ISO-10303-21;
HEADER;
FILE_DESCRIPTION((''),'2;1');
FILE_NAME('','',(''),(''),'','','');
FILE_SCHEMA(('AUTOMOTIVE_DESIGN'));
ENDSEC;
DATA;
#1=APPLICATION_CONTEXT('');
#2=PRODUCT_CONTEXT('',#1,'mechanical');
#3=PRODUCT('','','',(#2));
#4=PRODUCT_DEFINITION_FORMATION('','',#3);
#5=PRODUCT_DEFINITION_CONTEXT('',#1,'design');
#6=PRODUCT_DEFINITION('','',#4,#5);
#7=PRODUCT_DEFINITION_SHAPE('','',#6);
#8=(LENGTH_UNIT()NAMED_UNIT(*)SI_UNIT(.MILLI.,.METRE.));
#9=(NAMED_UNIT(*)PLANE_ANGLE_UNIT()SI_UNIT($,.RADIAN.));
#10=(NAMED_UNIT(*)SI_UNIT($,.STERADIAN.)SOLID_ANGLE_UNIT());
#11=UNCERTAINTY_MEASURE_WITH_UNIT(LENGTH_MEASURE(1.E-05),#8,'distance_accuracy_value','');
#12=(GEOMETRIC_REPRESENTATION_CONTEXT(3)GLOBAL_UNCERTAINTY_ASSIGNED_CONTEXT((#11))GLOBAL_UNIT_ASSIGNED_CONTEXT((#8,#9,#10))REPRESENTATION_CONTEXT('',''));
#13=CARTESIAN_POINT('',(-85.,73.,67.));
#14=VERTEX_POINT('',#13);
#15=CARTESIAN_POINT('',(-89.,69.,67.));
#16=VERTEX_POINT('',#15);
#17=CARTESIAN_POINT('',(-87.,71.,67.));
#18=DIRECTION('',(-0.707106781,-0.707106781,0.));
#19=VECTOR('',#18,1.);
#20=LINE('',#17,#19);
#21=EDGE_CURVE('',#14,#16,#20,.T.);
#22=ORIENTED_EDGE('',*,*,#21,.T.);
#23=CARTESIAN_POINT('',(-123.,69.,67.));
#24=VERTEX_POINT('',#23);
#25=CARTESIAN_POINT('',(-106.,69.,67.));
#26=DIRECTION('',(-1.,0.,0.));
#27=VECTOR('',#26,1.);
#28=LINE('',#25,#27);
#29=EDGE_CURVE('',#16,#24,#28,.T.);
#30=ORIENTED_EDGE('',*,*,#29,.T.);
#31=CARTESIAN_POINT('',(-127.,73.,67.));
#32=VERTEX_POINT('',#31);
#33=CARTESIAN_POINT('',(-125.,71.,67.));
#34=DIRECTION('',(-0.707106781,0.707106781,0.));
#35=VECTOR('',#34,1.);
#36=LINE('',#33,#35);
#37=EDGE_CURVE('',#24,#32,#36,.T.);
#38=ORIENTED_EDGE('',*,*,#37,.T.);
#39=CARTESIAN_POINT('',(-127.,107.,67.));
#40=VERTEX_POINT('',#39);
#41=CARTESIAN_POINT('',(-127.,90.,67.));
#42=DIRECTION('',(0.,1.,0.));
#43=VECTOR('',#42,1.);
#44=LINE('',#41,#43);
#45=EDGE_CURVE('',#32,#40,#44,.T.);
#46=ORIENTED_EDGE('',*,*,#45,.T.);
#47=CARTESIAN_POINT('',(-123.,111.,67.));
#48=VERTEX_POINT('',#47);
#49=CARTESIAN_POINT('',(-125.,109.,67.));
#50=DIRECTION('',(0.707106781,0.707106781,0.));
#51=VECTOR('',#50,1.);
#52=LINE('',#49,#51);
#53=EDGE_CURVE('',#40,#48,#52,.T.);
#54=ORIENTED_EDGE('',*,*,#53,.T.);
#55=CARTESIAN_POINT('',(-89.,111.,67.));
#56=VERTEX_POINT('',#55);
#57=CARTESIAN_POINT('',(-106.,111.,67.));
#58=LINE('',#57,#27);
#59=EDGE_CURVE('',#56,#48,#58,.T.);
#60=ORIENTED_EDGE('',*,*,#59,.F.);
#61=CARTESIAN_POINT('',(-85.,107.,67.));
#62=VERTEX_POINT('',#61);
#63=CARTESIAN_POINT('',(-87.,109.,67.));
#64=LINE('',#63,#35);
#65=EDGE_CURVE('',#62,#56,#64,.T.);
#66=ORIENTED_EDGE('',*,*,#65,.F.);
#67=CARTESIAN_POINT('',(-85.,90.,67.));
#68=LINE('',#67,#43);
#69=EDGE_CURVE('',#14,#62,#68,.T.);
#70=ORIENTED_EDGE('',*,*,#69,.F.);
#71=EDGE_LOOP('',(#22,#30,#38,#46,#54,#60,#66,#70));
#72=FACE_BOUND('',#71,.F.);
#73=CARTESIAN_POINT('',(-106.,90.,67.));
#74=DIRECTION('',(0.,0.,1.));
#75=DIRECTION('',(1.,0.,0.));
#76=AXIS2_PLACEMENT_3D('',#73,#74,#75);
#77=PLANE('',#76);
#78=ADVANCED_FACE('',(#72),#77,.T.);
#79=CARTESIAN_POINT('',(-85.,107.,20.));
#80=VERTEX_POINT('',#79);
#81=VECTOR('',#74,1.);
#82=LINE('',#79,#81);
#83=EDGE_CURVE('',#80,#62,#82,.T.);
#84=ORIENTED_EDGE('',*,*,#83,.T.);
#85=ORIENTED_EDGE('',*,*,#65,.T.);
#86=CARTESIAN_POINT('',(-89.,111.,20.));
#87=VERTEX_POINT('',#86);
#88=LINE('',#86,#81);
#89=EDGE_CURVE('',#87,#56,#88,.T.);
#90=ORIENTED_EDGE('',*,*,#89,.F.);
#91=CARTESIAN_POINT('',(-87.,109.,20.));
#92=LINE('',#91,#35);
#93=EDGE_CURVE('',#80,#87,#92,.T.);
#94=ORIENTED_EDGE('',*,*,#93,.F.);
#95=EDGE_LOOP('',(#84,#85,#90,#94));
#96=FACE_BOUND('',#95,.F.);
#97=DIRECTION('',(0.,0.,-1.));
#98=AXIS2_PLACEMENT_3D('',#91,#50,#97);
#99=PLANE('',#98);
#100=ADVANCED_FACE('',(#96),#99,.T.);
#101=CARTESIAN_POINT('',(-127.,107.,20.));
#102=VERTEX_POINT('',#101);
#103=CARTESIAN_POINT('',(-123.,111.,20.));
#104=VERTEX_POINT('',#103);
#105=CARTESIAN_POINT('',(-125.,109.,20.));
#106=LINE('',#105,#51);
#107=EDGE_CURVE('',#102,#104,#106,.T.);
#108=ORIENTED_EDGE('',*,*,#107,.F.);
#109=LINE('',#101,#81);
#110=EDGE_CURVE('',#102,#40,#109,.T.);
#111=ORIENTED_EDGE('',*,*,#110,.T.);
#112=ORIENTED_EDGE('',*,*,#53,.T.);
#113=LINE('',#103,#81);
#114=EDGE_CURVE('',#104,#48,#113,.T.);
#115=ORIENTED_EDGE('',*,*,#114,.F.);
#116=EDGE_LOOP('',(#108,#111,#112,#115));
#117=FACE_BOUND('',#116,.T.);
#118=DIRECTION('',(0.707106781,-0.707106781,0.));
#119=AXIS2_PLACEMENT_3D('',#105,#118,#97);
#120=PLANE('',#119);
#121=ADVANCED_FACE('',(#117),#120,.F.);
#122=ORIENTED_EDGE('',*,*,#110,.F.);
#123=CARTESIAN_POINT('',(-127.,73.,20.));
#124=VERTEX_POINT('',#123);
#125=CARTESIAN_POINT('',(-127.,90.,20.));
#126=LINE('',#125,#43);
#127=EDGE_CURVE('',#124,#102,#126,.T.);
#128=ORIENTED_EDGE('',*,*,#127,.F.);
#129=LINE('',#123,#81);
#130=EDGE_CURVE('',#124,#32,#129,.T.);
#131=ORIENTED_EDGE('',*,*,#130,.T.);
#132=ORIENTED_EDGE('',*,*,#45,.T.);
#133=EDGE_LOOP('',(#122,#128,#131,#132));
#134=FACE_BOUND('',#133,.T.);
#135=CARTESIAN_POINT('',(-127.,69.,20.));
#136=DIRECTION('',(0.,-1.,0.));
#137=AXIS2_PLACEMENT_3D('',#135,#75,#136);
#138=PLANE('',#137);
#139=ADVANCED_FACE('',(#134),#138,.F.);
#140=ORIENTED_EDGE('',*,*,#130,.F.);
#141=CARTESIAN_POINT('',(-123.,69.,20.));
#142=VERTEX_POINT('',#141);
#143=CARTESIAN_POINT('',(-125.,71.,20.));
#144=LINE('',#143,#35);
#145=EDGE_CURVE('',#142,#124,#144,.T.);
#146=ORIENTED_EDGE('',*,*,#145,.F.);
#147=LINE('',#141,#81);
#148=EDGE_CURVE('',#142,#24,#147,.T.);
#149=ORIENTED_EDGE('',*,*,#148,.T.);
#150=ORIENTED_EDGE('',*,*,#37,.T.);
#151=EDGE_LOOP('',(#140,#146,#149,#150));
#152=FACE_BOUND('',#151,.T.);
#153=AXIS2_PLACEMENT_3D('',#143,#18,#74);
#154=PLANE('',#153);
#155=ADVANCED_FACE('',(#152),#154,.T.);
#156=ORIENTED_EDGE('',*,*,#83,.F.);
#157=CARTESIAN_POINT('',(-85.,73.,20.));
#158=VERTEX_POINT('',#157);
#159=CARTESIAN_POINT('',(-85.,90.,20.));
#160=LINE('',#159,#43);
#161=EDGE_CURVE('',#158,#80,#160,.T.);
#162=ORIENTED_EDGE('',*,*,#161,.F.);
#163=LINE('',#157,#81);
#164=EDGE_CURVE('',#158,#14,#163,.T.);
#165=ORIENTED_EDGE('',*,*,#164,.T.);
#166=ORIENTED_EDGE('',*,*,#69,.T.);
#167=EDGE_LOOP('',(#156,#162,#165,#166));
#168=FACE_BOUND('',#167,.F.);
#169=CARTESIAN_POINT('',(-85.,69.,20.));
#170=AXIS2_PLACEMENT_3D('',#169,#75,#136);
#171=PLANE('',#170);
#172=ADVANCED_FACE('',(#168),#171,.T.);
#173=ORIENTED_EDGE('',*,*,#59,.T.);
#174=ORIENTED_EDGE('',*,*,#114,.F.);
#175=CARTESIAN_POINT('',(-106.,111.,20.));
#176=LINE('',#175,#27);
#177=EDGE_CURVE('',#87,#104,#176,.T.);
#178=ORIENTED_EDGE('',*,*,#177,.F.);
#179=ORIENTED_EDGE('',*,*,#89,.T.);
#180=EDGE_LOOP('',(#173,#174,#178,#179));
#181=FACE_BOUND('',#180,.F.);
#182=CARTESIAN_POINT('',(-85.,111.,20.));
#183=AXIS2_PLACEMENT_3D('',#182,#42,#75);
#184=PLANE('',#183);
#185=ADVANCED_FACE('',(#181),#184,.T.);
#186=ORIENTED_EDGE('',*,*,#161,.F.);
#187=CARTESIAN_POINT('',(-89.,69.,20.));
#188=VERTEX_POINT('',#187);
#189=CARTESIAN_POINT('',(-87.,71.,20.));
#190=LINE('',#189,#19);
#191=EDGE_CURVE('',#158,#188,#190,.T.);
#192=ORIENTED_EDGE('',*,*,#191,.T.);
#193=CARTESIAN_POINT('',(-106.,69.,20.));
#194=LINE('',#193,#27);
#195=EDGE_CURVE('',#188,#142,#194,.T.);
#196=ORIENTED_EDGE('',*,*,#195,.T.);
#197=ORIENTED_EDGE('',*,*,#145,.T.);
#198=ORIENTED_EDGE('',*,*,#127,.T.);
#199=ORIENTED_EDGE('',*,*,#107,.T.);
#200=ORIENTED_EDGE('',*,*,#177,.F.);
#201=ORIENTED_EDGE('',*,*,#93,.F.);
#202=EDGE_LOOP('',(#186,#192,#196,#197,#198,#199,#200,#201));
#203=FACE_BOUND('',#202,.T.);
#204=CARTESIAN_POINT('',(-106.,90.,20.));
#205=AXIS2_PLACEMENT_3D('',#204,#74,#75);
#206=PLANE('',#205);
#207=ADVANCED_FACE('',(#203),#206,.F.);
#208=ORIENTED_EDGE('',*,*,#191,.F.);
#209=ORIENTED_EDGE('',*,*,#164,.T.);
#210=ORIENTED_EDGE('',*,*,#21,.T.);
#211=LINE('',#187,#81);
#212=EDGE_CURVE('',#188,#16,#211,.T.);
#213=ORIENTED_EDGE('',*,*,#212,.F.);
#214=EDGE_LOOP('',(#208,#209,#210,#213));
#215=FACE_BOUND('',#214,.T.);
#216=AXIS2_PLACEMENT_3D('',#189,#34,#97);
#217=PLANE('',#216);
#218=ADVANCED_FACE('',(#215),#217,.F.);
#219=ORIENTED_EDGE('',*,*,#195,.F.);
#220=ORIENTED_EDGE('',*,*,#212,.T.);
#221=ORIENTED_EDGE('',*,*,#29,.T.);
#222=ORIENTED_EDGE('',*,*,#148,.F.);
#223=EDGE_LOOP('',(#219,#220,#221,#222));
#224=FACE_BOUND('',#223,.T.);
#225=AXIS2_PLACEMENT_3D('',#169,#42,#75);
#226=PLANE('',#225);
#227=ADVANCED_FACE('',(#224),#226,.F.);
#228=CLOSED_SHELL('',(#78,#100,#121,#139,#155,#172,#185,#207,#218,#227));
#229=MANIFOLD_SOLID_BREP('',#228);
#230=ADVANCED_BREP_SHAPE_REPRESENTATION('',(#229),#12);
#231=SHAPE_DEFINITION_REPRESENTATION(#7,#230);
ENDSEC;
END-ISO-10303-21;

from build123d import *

# Parameters (mm, degrees)
BOX002_W     = 42
BOX002_H     = 42
BOX002_DEPTH = 47
CHAMFER_SIZE = 4


with BuildPart() as nema:
    # Box002 → Box002 (new body)
    with BuildSketch(Plane(origin=(85, 69, 20), x_dir=(1, 0, 0), z_dir=(0, 0, 1))):
        with Locations((21, 21)):
            Rectangle(BOX002_W, BOX002_H)
    extrude(amount=BOX002_DEPTH)

    # Chamfer
    chamfer_edges = [nema.edges().sort_by_distance(p)[0] for p in [
        (85, 69, 43.5),
        (85, 111, 43.5),
        (127, 69, 43.5),
        (127, 111, 43.5),
    ]]
    chamfer(chamfer_edges, length=CHAMFER_SIZE)


with BuildPart() as nema001:
    # Part__Mirroring003: instance of NEMA
    add(nema.part.mirror(Plane(origin=(0, 0, 0), x_dir=(0, -1, 0), z_dir=(1, 0, 0))))


solid = nema001.part
